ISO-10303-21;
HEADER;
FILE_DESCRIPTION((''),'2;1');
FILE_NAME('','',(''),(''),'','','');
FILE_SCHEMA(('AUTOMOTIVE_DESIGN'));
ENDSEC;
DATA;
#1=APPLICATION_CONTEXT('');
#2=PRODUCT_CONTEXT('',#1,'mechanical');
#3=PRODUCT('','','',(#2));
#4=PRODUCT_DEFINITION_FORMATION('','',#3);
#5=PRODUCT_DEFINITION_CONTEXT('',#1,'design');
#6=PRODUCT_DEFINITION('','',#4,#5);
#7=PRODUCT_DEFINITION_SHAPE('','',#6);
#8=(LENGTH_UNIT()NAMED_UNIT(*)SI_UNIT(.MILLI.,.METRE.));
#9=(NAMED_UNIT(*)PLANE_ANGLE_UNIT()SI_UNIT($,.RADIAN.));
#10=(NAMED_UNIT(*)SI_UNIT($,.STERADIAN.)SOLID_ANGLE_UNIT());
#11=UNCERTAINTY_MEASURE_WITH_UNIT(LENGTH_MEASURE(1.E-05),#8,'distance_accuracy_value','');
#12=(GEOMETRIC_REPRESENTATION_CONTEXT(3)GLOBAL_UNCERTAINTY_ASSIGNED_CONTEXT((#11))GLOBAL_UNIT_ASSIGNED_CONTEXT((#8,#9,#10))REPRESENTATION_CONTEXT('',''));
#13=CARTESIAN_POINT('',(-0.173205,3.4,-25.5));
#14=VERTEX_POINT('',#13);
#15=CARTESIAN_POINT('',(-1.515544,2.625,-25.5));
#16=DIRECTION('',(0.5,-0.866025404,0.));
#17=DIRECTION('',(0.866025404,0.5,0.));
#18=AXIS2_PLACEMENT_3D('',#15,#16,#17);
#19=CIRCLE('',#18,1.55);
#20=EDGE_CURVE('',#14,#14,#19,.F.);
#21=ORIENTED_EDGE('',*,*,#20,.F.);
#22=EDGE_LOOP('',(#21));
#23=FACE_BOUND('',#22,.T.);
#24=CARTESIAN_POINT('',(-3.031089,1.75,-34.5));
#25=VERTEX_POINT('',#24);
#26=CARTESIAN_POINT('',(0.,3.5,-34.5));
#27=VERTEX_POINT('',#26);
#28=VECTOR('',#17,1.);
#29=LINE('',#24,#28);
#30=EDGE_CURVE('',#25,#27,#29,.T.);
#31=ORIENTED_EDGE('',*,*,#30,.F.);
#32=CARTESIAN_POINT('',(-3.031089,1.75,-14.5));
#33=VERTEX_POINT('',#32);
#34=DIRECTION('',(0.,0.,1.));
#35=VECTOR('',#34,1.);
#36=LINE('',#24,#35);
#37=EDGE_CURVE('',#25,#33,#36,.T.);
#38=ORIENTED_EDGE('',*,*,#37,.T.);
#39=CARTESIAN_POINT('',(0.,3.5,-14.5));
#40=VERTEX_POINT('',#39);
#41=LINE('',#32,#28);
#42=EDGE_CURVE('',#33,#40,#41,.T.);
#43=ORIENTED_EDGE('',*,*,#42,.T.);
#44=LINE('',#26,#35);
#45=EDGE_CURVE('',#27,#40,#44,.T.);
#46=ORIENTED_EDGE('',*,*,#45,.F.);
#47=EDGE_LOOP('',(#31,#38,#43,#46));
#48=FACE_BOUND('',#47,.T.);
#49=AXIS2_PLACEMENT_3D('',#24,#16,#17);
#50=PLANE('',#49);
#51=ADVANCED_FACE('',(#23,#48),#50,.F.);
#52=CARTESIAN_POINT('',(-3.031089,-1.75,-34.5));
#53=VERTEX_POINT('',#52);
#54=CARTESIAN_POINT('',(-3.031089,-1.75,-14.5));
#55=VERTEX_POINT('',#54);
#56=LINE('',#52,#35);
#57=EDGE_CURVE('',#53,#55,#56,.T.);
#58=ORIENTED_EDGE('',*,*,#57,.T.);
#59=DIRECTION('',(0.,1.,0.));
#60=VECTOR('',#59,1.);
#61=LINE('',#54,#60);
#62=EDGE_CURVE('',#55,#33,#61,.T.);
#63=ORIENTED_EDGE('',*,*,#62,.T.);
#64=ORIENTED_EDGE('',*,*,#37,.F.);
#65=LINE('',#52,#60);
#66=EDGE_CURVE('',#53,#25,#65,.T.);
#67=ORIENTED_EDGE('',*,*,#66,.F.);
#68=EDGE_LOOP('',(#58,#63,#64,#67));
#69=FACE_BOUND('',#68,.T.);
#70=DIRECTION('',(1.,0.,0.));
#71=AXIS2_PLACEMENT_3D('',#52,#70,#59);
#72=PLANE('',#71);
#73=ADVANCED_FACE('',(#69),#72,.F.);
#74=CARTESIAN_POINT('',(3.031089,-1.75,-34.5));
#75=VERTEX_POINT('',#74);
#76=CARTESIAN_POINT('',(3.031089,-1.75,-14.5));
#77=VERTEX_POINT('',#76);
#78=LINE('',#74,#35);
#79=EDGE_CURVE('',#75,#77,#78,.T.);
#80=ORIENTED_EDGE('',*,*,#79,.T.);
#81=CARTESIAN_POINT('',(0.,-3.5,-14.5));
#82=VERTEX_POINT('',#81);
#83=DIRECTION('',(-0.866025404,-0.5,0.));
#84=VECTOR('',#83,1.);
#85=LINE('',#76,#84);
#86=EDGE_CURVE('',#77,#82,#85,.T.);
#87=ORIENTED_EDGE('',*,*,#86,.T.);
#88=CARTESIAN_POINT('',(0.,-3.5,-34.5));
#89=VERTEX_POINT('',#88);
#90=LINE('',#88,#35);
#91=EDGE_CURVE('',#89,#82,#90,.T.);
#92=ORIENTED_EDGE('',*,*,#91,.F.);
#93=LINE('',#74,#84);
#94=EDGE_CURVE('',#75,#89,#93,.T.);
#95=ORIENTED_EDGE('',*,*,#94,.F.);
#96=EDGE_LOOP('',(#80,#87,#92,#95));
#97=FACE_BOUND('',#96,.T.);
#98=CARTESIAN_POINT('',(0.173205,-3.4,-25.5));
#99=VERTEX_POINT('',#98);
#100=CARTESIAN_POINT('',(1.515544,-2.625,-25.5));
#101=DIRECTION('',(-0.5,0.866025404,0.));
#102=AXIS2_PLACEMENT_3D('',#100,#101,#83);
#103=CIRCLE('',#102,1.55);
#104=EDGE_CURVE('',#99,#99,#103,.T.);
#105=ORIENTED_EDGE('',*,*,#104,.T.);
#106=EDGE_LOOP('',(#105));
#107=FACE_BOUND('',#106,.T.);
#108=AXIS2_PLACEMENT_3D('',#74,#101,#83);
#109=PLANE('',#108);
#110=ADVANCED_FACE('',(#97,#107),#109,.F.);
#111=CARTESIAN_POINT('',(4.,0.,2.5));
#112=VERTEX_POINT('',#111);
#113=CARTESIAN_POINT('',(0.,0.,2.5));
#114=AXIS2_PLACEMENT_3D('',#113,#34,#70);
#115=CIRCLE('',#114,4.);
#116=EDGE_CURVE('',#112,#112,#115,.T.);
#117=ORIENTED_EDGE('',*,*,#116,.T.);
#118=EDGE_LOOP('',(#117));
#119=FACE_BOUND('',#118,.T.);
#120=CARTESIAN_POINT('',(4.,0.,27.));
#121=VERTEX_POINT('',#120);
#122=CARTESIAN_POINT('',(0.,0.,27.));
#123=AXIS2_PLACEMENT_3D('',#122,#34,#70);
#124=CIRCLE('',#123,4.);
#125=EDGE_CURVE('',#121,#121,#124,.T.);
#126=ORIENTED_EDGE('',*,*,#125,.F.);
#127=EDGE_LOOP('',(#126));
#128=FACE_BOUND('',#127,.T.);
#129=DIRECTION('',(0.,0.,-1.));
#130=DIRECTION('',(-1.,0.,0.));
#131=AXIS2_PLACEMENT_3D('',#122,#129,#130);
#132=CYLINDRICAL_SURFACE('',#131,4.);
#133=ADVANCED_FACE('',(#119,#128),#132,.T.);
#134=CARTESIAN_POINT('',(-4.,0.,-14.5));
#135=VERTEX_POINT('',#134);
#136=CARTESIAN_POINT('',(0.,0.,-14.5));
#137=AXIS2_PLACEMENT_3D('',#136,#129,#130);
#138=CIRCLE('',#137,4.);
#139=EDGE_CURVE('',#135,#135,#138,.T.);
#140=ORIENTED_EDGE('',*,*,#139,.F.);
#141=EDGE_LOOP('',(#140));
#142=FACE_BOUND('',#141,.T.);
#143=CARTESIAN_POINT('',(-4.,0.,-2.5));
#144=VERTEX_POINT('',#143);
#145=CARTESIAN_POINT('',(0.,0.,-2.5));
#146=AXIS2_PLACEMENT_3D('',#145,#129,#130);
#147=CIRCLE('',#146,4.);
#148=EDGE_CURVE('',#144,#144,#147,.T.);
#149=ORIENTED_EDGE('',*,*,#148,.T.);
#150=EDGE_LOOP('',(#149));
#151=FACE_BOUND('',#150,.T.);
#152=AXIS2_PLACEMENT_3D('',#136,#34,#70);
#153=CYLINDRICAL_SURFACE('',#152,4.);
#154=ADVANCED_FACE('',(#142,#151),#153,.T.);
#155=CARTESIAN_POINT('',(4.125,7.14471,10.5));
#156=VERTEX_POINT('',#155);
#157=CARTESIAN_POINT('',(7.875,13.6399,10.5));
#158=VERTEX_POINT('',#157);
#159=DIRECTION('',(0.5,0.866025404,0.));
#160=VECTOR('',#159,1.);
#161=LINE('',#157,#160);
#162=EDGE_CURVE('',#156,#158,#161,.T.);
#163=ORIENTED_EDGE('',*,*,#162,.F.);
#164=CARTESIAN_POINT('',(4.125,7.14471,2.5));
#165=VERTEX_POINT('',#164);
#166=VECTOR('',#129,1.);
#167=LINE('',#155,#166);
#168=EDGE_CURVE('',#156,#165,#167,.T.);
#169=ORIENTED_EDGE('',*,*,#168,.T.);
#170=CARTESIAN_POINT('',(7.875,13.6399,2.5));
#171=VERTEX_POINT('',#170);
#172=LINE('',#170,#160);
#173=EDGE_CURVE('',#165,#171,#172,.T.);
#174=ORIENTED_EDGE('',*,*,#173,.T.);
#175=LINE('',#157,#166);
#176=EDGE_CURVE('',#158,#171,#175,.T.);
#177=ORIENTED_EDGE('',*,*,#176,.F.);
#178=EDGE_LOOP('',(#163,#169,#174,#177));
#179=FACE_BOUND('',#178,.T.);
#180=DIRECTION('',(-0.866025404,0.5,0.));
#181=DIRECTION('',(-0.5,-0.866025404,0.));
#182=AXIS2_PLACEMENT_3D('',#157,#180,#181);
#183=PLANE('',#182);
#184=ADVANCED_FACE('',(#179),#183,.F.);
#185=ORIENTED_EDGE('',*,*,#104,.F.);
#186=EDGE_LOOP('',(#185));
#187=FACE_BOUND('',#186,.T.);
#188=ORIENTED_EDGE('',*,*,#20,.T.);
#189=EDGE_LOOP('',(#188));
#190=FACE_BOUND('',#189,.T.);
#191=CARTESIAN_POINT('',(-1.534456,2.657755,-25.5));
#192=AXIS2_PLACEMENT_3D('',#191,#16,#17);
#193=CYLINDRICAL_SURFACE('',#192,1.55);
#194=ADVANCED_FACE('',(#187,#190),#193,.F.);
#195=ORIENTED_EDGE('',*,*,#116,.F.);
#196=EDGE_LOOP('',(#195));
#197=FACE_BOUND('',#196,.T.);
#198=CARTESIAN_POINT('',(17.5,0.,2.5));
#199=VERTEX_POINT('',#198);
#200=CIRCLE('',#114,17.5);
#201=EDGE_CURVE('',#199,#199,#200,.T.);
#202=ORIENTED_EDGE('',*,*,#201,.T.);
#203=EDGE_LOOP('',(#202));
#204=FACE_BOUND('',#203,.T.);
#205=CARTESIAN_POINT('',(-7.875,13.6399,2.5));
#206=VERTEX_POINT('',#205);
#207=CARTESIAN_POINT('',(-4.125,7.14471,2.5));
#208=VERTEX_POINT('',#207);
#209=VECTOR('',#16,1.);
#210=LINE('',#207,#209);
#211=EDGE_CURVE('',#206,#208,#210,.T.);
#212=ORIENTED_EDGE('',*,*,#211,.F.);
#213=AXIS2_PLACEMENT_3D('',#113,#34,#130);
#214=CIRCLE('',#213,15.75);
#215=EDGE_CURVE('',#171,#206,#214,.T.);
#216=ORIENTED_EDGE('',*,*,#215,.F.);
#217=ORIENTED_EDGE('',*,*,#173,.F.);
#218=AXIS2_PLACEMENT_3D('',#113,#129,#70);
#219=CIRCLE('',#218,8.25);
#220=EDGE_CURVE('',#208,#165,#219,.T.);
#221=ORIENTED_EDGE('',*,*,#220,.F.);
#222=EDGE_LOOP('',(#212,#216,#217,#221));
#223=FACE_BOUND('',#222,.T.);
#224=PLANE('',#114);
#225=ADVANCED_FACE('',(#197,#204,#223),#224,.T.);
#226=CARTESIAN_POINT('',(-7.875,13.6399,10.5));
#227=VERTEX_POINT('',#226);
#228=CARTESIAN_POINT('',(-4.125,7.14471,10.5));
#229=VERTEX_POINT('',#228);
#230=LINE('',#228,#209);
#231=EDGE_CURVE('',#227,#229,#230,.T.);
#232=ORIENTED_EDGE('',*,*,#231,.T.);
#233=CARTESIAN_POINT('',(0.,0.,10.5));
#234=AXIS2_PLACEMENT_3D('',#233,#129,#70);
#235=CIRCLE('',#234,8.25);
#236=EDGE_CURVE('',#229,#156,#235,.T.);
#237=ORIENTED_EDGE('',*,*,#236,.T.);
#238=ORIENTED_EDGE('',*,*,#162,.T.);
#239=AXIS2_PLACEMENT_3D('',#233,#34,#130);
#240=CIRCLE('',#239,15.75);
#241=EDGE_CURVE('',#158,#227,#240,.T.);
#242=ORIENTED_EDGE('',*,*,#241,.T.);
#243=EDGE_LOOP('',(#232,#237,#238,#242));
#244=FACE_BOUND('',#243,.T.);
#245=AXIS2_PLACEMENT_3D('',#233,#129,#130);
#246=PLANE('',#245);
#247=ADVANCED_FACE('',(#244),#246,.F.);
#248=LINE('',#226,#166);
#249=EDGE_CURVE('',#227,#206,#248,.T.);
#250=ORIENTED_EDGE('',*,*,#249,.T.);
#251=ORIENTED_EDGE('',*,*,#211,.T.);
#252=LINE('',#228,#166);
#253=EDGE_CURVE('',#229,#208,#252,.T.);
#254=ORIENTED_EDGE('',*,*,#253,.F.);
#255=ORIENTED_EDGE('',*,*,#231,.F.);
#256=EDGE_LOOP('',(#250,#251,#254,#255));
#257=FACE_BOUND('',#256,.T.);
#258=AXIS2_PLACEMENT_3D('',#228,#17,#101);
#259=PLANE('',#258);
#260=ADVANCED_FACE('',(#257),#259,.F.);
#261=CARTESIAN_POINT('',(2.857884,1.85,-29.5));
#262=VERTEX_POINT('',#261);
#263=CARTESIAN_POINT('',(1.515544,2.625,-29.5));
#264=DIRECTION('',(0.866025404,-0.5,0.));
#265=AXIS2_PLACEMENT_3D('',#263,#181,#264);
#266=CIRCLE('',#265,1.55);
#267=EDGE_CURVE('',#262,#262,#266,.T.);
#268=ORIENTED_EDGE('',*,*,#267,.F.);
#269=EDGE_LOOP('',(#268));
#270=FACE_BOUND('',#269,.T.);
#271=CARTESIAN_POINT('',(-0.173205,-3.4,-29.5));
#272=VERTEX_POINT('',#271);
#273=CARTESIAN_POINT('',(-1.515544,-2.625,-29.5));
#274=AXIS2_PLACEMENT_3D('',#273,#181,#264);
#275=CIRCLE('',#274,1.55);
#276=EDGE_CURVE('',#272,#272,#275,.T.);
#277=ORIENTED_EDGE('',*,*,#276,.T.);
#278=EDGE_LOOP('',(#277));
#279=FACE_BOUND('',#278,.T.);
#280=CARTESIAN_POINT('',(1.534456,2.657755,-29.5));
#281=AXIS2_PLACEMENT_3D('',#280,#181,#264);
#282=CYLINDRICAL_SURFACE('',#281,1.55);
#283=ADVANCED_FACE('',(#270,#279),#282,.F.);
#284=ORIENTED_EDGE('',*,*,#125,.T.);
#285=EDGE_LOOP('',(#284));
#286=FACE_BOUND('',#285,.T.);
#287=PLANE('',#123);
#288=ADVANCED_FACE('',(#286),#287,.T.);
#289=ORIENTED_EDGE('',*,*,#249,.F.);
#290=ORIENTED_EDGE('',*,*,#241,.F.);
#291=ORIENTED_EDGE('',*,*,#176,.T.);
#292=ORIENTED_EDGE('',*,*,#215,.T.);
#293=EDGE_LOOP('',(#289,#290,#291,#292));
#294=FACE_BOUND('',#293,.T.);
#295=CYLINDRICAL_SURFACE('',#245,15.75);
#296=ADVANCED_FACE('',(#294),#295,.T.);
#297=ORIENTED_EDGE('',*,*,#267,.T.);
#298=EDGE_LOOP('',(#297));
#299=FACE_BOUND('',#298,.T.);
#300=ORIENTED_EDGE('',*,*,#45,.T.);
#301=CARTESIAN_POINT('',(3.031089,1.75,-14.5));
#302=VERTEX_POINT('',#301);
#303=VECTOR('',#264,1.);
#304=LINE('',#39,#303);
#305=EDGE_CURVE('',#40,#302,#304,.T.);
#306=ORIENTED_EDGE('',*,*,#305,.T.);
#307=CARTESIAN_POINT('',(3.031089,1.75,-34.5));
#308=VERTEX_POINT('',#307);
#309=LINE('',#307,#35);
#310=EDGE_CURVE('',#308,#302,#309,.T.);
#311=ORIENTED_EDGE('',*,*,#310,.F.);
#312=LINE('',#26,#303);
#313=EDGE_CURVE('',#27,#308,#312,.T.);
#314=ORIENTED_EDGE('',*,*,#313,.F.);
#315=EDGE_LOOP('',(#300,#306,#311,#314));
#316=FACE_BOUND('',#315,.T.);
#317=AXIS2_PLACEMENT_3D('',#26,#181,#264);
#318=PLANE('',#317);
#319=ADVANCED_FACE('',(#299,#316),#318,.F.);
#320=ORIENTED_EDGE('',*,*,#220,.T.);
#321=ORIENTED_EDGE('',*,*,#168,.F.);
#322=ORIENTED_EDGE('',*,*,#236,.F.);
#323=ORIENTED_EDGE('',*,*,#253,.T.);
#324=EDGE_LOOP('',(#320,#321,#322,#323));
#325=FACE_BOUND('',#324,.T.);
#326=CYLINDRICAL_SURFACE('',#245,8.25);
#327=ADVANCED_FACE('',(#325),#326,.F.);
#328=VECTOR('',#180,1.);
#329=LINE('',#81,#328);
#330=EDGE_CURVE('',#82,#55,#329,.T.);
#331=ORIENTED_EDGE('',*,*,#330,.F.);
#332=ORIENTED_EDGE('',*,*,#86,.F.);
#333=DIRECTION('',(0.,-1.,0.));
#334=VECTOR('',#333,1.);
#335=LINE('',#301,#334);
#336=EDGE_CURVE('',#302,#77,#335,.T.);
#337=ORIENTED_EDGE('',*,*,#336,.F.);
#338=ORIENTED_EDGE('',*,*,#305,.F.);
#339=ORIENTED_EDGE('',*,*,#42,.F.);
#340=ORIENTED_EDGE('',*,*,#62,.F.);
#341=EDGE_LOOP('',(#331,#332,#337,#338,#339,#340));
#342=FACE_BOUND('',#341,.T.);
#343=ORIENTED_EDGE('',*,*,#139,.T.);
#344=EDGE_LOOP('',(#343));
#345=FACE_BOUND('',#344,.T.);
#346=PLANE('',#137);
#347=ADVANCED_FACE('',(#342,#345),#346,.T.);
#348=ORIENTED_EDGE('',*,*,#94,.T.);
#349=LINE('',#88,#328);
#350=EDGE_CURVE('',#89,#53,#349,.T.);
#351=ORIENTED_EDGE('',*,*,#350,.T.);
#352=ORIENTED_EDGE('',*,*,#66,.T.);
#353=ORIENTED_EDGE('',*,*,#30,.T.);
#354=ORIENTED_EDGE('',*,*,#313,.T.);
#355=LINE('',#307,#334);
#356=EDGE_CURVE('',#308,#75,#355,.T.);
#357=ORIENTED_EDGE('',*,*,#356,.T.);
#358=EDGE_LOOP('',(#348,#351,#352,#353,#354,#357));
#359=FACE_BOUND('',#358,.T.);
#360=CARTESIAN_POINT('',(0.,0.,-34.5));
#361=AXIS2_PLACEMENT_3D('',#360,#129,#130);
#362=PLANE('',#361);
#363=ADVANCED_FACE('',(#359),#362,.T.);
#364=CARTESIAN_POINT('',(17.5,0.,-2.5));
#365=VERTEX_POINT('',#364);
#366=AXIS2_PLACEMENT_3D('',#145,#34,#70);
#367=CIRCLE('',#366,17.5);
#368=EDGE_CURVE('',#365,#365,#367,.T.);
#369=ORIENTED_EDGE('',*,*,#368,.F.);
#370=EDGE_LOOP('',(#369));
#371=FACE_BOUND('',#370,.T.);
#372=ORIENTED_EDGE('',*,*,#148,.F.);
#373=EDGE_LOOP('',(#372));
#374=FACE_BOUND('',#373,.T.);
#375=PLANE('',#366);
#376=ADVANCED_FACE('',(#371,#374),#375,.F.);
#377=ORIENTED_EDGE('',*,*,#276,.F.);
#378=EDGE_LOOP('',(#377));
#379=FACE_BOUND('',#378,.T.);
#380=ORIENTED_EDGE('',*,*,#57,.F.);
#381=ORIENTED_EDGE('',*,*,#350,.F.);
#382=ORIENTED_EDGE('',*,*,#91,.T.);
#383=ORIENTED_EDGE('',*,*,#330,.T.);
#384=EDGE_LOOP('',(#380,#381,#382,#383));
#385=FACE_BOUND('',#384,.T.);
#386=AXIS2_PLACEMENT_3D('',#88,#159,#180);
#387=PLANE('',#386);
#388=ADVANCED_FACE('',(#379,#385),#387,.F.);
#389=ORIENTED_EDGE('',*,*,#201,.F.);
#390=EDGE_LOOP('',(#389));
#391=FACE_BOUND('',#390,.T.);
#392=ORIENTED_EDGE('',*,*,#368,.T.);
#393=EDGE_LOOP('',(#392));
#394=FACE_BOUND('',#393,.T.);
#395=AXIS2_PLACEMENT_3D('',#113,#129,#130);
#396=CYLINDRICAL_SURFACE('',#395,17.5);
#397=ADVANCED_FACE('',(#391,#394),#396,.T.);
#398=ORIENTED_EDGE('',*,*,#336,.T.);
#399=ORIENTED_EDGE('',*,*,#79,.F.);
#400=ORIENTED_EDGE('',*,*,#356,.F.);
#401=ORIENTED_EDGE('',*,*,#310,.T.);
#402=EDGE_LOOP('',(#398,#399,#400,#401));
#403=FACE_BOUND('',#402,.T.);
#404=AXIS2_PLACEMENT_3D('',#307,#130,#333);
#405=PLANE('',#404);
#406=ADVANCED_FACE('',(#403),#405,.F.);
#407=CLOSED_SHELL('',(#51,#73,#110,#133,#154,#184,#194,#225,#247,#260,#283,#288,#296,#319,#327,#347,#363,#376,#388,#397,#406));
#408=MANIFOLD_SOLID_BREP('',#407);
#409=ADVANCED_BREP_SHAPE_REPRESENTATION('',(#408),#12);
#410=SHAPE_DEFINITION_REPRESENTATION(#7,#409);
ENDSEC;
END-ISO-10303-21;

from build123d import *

# Parameters (mm, degrees)
SKETCH1_R           = 17.5
BOSS_EXTRUDE1_DEPTH = 2.5
BOSS_EXTRUDE2_DEPTH = 8
SKETCH3_R           = 4
BOSS_EXTRUDE3_DEPTH = 24.5
BOSS_EXTRUDE4_START = 12
SKETCH7_R           = 4
BOSS_EXTRUDE4_DEPTH = 12
BOSS_EXTRUDE5_DEPTH = 20
SKETCH10_R          = 1.55
CUT_EXTRUDE1_DEPTH  = 6.1
SKETCH11_R          = 1.55
CUT_EXTRUDE4_DEPTH  = 6.1


with BuildPart() as part:
    # Sketch1 → Boss-Extrude1 (new, symmetric)
    with BuildSketch(Plane.XY):
        Circle(SKETCH1_R)
    extrude(amount=BOSS_EXTRUDE1_DEPTH, both=True)

    # Sketch2 → Boss-Extrude2 (add)
    with BuildSketch(Plane.XY.offset(2.5)):
        with BuildLine():
            Line((7.875, 13.63990011), (4.125, 7.144709581))
            ThreePointArc((4.125, 7.144709581), (0, 8.25), (-4.125, 7.144709581))
            Line((-4.125, 7.144709581), (-7.875, 13.63990011))
            ThreePointArc((-7.875, 13.63990011), (0, 15.75), (7.875, 13.63990011))
        make_face()
    extrude(amount=BOSS_EXTRUDE2_DEPTH)

    # Sketch3 → Boss-Extrude3 (add)
    with BuildSketch(Plane.XY.offset(2.5)):
        Circle(SKETCH3_R)
    extrude(amount=BOSS_EXTRUDE3_DEPTH)

    # Sketch7 → Boss-Extrude4 (add)
    with BuildSketch(Plane(origin=(0, 0, -2.5), x_dir=(-1, 0, 0), z_dir=(0, 0, -1)).offset(BOSS_EXTRUDE4_START)):
        with Locations(Location((0, 0, 0), (0, 0, 180))):
            Circle(SKETCH7_R)
    extrude(amount=-BOSS_EXTRUDE4_DEPTH)

    # Sketch9 → Boss-Extrude5 (add)
    with BuildSketch(Plane(origin=(0, 0, -14.5), x_dir=(-1, 0, 0), z_dir=(0, 0, -1))):
        Polygon((0, 3.5), (-3.031088913, 1.75), (-3.031088913, -1.75), (0, -3.5), (3.031088913, -1.75), (3.031088913, 1.75), align=None)
    extrude(amount=BOSS_EXTRUDE5_DEPTH)

    # Sketch10 → Cut-Extrude1 (cut)
    with BuildSketch(Plane(origin=(-1.515544457, -2.625, 0), x_dir=(0.866025403784435, -0.5000000000000062, 0), z_dir=(-0.5000000000000062, -0.866025403784435, 0))):
        with Locations((0, -29.5)):
            Circle(SKETCH10_R)
    extrude(amount=-CUT_EXTRUDE1_DEPTH, mode=Mode.SUBTRACT)

    # Sketch11 → Cut-Extrude4 (cut)
    with BuildSketch(Plane(origin=(1.515544457, -2.625, 0), x_dir=(0, 0, 1), z_dir=(-0.49999999999999717, 0.8660254037844404, 0))):
        with Locations(Location((-25.5, 0, 0), (0, 0, 90))):
            Circle(SKETCH11_R)
    extrude(amount=CUT_EXTRUDE4_DEPTH, mode=Mode.SUBTRACT)


solid = part.part
